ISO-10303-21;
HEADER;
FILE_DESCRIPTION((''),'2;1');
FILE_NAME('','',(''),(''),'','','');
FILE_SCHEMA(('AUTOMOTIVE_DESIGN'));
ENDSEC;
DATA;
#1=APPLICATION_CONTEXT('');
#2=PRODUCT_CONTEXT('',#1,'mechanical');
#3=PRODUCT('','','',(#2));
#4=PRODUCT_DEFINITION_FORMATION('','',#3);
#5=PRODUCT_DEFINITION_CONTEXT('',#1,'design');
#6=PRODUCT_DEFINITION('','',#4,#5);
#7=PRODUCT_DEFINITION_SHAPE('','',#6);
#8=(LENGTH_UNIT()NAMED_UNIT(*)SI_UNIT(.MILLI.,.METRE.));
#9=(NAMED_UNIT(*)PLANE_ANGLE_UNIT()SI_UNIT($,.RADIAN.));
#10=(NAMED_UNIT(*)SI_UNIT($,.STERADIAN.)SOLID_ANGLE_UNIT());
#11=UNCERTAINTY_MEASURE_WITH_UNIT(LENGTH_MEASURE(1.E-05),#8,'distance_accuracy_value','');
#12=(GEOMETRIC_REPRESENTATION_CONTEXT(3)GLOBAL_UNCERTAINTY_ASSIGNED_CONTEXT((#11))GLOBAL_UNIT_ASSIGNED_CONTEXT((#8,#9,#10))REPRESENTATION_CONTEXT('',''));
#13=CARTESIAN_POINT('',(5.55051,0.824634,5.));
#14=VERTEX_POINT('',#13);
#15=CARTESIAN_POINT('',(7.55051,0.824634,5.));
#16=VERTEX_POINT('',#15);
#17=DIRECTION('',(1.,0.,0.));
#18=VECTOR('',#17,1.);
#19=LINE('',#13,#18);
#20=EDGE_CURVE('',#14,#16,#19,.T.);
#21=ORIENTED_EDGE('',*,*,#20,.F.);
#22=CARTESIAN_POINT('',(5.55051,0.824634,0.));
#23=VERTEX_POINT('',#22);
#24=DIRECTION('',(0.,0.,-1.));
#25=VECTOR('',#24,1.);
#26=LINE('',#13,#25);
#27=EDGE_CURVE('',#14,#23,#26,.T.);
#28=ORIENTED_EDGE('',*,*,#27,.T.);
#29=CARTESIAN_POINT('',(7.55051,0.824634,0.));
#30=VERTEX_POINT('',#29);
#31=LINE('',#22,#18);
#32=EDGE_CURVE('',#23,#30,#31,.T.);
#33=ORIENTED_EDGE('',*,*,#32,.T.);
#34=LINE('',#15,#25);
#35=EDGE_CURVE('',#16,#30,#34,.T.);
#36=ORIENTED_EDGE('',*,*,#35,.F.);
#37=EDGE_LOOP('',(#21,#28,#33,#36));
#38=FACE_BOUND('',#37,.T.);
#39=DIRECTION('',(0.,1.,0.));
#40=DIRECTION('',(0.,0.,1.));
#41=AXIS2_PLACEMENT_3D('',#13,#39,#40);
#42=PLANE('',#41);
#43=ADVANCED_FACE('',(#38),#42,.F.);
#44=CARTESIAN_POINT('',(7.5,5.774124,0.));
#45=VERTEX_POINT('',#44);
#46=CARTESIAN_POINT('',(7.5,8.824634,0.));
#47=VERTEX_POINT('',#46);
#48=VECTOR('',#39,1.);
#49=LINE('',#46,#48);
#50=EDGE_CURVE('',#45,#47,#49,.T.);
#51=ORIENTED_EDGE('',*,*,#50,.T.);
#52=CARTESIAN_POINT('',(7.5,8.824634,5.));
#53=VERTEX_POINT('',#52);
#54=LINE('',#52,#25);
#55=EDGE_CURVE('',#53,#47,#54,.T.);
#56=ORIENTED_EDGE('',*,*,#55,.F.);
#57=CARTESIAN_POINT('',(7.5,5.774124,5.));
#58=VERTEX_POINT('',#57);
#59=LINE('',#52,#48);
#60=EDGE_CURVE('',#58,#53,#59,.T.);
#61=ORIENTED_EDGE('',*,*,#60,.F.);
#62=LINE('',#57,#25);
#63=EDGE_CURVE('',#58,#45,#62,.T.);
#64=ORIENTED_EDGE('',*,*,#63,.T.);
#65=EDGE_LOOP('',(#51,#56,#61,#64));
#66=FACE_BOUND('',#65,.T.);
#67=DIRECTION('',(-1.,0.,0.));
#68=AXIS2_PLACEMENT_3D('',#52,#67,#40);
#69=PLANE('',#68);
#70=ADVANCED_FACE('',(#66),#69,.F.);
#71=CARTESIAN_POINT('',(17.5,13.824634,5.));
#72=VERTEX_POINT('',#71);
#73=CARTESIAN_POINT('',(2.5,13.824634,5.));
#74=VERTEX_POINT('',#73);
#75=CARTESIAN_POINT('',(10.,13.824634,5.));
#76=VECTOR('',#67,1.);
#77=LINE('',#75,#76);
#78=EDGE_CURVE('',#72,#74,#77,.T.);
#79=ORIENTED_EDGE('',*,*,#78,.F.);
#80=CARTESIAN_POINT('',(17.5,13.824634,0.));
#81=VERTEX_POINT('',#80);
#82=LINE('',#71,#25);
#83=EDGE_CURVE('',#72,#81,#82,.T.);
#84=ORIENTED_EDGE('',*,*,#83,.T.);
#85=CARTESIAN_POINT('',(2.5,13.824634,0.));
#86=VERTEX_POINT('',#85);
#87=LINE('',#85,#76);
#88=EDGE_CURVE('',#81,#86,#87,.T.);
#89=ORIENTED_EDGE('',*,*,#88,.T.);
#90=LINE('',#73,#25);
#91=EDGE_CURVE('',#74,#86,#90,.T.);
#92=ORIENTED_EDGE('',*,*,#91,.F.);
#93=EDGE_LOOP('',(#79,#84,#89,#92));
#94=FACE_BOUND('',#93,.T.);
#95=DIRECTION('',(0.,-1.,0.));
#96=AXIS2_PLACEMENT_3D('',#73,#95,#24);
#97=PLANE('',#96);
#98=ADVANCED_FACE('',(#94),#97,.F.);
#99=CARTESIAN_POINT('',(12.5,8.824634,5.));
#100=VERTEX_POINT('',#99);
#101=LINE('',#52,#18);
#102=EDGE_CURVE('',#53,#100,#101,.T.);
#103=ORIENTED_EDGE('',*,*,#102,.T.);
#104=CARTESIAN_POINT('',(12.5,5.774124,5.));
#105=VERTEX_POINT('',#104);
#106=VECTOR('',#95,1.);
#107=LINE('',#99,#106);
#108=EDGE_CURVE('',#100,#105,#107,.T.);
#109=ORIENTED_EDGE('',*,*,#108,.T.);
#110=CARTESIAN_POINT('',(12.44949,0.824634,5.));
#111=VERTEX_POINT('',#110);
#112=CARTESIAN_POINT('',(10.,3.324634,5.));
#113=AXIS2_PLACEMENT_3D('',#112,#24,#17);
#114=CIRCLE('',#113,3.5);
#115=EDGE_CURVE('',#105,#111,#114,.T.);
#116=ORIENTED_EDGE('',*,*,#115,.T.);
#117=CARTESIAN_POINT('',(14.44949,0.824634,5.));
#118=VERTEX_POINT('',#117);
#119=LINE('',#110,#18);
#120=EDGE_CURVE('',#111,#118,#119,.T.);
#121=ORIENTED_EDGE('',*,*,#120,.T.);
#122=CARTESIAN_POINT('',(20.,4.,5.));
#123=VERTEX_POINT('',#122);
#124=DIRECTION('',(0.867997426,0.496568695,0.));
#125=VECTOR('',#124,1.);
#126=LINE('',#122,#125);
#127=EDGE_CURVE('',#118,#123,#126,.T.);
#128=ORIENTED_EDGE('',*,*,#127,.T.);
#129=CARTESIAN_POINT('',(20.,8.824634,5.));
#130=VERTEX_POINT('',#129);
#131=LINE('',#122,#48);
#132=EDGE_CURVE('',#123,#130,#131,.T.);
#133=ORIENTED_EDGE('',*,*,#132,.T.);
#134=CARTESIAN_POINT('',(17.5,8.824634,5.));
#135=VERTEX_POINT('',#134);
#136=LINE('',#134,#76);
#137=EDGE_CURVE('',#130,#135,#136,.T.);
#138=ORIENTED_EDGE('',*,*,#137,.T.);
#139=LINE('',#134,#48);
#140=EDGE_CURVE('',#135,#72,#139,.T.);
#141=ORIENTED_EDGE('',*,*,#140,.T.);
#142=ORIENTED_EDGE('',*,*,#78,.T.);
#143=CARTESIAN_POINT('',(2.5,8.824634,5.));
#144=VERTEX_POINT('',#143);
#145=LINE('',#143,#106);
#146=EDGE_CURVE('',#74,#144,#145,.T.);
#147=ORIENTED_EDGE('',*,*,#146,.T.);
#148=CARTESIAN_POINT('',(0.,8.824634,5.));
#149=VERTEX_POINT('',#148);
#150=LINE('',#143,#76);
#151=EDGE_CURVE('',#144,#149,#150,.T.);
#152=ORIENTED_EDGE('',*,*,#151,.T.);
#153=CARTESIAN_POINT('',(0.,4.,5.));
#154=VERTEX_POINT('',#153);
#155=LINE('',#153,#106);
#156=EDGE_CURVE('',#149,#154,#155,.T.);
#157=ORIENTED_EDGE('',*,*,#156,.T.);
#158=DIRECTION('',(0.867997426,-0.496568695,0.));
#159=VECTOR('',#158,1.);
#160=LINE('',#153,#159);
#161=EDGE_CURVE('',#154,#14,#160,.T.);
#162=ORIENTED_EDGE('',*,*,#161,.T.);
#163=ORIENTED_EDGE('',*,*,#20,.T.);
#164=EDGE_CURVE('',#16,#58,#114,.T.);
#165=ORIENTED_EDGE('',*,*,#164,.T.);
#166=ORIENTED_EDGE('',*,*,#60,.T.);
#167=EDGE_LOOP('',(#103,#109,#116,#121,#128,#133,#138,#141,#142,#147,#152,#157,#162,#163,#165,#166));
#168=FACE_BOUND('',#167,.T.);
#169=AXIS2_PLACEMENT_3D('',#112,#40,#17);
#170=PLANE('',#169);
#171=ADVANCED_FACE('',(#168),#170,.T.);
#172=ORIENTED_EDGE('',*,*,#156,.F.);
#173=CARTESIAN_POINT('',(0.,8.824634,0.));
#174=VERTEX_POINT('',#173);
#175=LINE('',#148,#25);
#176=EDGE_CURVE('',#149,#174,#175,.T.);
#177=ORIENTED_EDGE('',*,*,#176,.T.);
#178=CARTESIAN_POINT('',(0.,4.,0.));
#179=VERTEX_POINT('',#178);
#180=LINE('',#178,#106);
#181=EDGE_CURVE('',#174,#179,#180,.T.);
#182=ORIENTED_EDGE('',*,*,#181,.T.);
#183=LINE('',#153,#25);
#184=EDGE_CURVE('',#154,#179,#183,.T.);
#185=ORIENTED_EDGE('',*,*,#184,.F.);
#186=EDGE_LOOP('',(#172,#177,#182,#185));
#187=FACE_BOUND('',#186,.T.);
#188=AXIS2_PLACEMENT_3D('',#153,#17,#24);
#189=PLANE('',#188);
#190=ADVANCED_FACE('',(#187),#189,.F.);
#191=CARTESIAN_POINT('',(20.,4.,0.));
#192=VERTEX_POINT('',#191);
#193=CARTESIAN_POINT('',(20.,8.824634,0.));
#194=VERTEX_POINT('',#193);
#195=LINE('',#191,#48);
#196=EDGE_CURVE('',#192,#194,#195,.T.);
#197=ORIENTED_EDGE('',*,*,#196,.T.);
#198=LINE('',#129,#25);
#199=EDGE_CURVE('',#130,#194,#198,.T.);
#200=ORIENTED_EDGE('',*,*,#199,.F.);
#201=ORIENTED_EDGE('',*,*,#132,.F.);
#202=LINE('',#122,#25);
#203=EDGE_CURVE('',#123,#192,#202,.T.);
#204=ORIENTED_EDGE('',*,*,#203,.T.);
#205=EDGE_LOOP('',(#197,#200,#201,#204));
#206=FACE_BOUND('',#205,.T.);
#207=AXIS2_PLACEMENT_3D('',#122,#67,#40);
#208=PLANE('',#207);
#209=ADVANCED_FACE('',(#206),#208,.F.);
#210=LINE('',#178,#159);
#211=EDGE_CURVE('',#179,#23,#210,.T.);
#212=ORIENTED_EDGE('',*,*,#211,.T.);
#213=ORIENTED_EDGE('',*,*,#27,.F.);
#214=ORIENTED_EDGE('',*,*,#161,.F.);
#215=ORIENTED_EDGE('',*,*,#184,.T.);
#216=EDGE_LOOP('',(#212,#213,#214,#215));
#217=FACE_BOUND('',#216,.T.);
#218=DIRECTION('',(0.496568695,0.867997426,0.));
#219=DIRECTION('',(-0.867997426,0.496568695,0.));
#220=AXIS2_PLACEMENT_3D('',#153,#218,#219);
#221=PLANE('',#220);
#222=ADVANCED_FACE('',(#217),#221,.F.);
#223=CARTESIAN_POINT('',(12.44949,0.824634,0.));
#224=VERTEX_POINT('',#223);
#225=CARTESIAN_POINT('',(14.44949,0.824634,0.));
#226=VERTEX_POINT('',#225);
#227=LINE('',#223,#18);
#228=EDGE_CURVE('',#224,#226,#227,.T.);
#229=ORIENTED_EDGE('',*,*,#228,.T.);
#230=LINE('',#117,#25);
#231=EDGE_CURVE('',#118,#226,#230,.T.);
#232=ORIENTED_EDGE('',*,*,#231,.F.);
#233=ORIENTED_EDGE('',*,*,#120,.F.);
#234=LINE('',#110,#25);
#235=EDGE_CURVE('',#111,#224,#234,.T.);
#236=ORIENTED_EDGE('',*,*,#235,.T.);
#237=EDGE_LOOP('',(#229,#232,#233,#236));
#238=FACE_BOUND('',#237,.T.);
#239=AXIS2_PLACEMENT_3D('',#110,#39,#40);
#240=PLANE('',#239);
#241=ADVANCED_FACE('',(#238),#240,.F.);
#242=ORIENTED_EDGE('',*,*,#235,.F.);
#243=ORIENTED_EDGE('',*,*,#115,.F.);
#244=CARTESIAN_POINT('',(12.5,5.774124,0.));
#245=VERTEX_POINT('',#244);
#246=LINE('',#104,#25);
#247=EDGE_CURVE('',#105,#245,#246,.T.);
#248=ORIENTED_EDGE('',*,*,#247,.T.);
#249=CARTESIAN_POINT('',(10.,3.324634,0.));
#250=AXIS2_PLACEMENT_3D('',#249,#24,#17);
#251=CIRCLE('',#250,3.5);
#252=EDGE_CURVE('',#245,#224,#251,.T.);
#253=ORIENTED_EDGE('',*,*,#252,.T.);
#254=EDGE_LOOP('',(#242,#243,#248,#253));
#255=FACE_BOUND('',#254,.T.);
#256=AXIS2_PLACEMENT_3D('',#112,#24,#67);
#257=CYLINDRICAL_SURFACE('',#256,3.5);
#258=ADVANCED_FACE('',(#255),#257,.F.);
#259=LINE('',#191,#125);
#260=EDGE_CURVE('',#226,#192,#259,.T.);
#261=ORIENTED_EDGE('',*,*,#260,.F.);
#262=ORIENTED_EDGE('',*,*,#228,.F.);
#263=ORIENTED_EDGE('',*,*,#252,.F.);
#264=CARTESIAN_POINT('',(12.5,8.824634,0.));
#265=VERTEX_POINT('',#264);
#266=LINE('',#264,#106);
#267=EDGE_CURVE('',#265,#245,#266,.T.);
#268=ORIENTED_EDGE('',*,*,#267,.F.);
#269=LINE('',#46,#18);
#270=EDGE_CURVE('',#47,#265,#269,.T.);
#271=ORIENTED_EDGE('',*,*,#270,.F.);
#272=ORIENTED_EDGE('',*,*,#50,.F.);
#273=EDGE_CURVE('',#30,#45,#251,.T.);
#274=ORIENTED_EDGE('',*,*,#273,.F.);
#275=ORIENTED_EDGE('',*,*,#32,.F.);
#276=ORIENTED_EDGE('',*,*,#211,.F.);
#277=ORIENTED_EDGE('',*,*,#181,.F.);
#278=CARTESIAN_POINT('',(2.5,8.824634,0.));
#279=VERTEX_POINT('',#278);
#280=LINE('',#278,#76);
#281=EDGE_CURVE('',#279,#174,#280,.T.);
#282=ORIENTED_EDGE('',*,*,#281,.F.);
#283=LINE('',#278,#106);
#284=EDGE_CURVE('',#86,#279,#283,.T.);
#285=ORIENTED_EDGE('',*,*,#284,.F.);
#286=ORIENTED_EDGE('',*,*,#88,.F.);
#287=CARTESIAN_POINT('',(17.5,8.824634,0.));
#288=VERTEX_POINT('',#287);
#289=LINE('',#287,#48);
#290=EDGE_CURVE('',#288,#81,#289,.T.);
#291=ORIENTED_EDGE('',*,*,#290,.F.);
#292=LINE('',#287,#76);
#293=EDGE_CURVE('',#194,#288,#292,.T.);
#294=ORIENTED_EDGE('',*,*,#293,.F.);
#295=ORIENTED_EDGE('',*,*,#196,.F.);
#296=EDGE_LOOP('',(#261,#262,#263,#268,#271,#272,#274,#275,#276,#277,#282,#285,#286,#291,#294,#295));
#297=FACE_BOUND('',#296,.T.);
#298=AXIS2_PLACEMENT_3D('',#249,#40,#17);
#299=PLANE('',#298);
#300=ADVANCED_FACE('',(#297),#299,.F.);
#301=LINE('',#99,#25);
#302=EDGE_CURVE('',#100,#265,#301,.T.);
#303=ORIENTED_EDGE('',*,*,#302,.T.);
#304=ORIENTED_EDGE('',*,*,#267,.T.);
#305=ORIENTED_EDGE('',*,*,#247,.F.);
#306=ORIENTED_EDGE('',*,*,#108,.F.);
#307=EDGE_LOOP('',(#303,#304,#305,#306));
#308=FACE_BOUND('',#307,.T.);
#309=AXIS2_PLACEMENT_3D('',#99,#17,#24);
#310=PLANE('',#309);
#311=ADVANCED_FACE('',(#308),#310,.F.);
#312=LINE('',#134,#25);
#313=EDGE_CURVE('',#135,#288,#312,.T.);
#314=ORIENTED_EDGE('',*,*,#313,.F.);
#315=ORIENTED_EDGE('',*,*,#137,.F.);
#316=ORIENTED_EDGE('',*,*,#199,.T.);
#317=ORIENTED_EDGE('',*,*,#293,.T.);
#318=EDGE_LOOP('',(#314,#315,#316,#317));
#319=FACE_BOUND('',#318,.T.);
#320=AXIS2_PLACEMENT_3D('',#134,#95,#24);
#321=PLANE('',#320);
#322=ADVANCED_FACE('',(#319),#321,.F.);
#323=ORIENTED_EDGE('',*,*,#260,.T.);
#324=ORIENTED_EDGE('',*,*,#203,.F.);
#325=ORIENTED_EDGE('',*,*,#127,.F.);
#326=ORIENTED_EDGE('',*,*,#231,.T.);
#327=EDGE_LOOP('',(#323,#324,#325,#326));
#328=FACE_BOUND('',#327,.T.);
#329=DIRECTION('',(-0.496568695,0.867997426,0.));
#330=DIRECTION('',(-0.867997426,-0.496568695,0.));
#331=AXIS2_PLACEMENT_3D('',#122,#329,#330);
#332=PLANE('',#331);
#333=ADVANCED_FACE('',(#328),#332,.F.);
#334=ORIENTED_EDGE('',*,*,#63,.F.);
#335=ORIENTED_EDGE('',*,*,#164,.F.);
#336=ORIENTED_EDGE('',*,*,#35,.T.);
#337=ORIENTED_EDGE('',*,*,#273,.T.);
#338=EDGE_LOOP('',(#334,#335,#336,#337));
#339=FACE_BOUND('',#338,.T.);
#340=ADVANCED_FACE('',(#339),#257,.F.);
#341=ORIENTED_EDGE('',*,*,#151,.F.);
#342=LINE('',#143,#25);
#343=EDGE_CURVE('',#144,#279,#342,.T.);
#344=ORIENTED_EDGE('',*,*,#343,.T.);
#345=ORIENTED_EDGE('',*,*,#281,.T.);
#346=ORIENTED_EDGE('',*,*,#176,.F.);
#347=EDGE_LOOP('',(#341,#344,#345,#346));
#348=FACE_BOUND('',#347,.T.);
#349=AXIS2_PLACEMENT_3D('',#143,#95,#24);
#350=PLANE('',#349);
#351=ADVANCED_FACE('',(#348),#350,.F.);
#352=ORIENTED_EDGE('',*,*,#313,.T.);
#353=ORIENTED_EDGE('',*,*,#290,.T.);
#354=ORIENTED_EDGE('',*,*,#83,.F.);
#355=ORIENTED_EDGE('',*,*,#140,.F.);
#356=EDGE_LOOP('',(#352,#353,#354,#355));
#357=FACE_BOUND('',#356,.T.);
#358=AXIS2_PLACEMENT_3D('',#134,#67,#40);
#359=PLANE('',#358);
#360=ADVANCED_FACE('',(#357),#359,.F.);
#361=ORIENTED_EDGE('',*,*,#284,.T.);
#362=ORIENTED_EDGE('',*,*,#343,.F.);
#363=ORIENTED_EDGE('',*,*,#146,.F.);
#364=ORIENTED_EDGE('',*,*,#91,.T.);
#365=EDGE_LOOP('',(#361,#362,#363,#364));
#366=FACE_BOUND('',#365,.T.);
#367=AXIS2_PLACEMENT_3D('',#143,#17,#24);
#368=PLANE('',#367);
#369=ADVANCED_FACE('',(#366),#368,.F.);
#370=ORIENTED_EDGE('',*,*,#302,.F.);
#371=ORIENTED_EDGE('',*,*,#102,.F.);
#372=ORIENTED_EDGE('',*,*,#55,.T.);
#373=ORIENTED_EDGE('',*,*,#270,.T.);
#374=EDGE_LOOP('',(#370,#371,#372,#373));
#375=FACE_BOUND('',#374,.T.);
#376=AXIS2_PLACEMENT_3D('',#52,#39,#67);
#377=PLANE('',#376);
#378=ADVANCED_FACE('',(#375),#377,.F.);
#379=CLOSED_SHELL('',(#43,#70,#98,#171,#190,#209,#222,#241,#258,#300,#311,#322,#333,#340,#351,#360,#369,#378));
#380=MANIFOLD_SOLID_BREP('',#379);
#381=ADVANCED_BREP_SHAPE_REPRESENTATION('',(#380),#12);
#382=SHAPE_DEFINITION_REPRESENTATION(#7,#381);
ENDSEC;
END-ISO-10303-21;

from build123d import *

# Parameters (mm, degrees)
BOSS_EXTRUDE1_DEPTH = 5


with BuildPart() as part:
    # Sketch1 → Boss-Extrude1 (new body)
    with BuildSketch(Plane.XY):
        with BuildLine():
            Line((5.550510257, 0.824633862), (7.550510257, 0.824633862))
            ThreePointArc((7.550510257, 0.824633862), (6.500182239, 3.288917717), (7.5, 5.774123605))
            Line((7.5, 5.774123605), (7.5, 8.824633862))
            Line((7.5, 8.824633862), (12.5, 8.824633862))
            Line((12.5, 8.824633862), (12.5, 5.774123605))
            ThreePointArc((12.5, 5.774123605), (13.499817761, 3.288917717), (12.449489743, 0.824633862))
            Line((12.449489743, 0.824633862), (14.449489743, 0.824633862))
            Line((14.449489743, 0.824633862), (20, 4))
            Line((20, 4), (20, 8.824633862))
            Line((20, 8.824633862), (17.5, 8.824633862))
            Line((17.5, 8.824633862), (17.5, 13.824633862))
            Line((17.5, 13.824633862), (10, 13.824633862))
            Line((10, 13.824633862), (2.5, 13.824633862))
            Line((2.5, 13.824633862), (2.5, 8.824633862))
            Line((2.5, 8.824633862), (0, 8.824633862))
            Line((0, 8.824633862), (0, 4))
            Line((0, 4), (5.550510257, 0.824633862))
        make_face()
    extrude(amount=BOSS_EXTRUDE1_DEPTH)


solid = part.part
